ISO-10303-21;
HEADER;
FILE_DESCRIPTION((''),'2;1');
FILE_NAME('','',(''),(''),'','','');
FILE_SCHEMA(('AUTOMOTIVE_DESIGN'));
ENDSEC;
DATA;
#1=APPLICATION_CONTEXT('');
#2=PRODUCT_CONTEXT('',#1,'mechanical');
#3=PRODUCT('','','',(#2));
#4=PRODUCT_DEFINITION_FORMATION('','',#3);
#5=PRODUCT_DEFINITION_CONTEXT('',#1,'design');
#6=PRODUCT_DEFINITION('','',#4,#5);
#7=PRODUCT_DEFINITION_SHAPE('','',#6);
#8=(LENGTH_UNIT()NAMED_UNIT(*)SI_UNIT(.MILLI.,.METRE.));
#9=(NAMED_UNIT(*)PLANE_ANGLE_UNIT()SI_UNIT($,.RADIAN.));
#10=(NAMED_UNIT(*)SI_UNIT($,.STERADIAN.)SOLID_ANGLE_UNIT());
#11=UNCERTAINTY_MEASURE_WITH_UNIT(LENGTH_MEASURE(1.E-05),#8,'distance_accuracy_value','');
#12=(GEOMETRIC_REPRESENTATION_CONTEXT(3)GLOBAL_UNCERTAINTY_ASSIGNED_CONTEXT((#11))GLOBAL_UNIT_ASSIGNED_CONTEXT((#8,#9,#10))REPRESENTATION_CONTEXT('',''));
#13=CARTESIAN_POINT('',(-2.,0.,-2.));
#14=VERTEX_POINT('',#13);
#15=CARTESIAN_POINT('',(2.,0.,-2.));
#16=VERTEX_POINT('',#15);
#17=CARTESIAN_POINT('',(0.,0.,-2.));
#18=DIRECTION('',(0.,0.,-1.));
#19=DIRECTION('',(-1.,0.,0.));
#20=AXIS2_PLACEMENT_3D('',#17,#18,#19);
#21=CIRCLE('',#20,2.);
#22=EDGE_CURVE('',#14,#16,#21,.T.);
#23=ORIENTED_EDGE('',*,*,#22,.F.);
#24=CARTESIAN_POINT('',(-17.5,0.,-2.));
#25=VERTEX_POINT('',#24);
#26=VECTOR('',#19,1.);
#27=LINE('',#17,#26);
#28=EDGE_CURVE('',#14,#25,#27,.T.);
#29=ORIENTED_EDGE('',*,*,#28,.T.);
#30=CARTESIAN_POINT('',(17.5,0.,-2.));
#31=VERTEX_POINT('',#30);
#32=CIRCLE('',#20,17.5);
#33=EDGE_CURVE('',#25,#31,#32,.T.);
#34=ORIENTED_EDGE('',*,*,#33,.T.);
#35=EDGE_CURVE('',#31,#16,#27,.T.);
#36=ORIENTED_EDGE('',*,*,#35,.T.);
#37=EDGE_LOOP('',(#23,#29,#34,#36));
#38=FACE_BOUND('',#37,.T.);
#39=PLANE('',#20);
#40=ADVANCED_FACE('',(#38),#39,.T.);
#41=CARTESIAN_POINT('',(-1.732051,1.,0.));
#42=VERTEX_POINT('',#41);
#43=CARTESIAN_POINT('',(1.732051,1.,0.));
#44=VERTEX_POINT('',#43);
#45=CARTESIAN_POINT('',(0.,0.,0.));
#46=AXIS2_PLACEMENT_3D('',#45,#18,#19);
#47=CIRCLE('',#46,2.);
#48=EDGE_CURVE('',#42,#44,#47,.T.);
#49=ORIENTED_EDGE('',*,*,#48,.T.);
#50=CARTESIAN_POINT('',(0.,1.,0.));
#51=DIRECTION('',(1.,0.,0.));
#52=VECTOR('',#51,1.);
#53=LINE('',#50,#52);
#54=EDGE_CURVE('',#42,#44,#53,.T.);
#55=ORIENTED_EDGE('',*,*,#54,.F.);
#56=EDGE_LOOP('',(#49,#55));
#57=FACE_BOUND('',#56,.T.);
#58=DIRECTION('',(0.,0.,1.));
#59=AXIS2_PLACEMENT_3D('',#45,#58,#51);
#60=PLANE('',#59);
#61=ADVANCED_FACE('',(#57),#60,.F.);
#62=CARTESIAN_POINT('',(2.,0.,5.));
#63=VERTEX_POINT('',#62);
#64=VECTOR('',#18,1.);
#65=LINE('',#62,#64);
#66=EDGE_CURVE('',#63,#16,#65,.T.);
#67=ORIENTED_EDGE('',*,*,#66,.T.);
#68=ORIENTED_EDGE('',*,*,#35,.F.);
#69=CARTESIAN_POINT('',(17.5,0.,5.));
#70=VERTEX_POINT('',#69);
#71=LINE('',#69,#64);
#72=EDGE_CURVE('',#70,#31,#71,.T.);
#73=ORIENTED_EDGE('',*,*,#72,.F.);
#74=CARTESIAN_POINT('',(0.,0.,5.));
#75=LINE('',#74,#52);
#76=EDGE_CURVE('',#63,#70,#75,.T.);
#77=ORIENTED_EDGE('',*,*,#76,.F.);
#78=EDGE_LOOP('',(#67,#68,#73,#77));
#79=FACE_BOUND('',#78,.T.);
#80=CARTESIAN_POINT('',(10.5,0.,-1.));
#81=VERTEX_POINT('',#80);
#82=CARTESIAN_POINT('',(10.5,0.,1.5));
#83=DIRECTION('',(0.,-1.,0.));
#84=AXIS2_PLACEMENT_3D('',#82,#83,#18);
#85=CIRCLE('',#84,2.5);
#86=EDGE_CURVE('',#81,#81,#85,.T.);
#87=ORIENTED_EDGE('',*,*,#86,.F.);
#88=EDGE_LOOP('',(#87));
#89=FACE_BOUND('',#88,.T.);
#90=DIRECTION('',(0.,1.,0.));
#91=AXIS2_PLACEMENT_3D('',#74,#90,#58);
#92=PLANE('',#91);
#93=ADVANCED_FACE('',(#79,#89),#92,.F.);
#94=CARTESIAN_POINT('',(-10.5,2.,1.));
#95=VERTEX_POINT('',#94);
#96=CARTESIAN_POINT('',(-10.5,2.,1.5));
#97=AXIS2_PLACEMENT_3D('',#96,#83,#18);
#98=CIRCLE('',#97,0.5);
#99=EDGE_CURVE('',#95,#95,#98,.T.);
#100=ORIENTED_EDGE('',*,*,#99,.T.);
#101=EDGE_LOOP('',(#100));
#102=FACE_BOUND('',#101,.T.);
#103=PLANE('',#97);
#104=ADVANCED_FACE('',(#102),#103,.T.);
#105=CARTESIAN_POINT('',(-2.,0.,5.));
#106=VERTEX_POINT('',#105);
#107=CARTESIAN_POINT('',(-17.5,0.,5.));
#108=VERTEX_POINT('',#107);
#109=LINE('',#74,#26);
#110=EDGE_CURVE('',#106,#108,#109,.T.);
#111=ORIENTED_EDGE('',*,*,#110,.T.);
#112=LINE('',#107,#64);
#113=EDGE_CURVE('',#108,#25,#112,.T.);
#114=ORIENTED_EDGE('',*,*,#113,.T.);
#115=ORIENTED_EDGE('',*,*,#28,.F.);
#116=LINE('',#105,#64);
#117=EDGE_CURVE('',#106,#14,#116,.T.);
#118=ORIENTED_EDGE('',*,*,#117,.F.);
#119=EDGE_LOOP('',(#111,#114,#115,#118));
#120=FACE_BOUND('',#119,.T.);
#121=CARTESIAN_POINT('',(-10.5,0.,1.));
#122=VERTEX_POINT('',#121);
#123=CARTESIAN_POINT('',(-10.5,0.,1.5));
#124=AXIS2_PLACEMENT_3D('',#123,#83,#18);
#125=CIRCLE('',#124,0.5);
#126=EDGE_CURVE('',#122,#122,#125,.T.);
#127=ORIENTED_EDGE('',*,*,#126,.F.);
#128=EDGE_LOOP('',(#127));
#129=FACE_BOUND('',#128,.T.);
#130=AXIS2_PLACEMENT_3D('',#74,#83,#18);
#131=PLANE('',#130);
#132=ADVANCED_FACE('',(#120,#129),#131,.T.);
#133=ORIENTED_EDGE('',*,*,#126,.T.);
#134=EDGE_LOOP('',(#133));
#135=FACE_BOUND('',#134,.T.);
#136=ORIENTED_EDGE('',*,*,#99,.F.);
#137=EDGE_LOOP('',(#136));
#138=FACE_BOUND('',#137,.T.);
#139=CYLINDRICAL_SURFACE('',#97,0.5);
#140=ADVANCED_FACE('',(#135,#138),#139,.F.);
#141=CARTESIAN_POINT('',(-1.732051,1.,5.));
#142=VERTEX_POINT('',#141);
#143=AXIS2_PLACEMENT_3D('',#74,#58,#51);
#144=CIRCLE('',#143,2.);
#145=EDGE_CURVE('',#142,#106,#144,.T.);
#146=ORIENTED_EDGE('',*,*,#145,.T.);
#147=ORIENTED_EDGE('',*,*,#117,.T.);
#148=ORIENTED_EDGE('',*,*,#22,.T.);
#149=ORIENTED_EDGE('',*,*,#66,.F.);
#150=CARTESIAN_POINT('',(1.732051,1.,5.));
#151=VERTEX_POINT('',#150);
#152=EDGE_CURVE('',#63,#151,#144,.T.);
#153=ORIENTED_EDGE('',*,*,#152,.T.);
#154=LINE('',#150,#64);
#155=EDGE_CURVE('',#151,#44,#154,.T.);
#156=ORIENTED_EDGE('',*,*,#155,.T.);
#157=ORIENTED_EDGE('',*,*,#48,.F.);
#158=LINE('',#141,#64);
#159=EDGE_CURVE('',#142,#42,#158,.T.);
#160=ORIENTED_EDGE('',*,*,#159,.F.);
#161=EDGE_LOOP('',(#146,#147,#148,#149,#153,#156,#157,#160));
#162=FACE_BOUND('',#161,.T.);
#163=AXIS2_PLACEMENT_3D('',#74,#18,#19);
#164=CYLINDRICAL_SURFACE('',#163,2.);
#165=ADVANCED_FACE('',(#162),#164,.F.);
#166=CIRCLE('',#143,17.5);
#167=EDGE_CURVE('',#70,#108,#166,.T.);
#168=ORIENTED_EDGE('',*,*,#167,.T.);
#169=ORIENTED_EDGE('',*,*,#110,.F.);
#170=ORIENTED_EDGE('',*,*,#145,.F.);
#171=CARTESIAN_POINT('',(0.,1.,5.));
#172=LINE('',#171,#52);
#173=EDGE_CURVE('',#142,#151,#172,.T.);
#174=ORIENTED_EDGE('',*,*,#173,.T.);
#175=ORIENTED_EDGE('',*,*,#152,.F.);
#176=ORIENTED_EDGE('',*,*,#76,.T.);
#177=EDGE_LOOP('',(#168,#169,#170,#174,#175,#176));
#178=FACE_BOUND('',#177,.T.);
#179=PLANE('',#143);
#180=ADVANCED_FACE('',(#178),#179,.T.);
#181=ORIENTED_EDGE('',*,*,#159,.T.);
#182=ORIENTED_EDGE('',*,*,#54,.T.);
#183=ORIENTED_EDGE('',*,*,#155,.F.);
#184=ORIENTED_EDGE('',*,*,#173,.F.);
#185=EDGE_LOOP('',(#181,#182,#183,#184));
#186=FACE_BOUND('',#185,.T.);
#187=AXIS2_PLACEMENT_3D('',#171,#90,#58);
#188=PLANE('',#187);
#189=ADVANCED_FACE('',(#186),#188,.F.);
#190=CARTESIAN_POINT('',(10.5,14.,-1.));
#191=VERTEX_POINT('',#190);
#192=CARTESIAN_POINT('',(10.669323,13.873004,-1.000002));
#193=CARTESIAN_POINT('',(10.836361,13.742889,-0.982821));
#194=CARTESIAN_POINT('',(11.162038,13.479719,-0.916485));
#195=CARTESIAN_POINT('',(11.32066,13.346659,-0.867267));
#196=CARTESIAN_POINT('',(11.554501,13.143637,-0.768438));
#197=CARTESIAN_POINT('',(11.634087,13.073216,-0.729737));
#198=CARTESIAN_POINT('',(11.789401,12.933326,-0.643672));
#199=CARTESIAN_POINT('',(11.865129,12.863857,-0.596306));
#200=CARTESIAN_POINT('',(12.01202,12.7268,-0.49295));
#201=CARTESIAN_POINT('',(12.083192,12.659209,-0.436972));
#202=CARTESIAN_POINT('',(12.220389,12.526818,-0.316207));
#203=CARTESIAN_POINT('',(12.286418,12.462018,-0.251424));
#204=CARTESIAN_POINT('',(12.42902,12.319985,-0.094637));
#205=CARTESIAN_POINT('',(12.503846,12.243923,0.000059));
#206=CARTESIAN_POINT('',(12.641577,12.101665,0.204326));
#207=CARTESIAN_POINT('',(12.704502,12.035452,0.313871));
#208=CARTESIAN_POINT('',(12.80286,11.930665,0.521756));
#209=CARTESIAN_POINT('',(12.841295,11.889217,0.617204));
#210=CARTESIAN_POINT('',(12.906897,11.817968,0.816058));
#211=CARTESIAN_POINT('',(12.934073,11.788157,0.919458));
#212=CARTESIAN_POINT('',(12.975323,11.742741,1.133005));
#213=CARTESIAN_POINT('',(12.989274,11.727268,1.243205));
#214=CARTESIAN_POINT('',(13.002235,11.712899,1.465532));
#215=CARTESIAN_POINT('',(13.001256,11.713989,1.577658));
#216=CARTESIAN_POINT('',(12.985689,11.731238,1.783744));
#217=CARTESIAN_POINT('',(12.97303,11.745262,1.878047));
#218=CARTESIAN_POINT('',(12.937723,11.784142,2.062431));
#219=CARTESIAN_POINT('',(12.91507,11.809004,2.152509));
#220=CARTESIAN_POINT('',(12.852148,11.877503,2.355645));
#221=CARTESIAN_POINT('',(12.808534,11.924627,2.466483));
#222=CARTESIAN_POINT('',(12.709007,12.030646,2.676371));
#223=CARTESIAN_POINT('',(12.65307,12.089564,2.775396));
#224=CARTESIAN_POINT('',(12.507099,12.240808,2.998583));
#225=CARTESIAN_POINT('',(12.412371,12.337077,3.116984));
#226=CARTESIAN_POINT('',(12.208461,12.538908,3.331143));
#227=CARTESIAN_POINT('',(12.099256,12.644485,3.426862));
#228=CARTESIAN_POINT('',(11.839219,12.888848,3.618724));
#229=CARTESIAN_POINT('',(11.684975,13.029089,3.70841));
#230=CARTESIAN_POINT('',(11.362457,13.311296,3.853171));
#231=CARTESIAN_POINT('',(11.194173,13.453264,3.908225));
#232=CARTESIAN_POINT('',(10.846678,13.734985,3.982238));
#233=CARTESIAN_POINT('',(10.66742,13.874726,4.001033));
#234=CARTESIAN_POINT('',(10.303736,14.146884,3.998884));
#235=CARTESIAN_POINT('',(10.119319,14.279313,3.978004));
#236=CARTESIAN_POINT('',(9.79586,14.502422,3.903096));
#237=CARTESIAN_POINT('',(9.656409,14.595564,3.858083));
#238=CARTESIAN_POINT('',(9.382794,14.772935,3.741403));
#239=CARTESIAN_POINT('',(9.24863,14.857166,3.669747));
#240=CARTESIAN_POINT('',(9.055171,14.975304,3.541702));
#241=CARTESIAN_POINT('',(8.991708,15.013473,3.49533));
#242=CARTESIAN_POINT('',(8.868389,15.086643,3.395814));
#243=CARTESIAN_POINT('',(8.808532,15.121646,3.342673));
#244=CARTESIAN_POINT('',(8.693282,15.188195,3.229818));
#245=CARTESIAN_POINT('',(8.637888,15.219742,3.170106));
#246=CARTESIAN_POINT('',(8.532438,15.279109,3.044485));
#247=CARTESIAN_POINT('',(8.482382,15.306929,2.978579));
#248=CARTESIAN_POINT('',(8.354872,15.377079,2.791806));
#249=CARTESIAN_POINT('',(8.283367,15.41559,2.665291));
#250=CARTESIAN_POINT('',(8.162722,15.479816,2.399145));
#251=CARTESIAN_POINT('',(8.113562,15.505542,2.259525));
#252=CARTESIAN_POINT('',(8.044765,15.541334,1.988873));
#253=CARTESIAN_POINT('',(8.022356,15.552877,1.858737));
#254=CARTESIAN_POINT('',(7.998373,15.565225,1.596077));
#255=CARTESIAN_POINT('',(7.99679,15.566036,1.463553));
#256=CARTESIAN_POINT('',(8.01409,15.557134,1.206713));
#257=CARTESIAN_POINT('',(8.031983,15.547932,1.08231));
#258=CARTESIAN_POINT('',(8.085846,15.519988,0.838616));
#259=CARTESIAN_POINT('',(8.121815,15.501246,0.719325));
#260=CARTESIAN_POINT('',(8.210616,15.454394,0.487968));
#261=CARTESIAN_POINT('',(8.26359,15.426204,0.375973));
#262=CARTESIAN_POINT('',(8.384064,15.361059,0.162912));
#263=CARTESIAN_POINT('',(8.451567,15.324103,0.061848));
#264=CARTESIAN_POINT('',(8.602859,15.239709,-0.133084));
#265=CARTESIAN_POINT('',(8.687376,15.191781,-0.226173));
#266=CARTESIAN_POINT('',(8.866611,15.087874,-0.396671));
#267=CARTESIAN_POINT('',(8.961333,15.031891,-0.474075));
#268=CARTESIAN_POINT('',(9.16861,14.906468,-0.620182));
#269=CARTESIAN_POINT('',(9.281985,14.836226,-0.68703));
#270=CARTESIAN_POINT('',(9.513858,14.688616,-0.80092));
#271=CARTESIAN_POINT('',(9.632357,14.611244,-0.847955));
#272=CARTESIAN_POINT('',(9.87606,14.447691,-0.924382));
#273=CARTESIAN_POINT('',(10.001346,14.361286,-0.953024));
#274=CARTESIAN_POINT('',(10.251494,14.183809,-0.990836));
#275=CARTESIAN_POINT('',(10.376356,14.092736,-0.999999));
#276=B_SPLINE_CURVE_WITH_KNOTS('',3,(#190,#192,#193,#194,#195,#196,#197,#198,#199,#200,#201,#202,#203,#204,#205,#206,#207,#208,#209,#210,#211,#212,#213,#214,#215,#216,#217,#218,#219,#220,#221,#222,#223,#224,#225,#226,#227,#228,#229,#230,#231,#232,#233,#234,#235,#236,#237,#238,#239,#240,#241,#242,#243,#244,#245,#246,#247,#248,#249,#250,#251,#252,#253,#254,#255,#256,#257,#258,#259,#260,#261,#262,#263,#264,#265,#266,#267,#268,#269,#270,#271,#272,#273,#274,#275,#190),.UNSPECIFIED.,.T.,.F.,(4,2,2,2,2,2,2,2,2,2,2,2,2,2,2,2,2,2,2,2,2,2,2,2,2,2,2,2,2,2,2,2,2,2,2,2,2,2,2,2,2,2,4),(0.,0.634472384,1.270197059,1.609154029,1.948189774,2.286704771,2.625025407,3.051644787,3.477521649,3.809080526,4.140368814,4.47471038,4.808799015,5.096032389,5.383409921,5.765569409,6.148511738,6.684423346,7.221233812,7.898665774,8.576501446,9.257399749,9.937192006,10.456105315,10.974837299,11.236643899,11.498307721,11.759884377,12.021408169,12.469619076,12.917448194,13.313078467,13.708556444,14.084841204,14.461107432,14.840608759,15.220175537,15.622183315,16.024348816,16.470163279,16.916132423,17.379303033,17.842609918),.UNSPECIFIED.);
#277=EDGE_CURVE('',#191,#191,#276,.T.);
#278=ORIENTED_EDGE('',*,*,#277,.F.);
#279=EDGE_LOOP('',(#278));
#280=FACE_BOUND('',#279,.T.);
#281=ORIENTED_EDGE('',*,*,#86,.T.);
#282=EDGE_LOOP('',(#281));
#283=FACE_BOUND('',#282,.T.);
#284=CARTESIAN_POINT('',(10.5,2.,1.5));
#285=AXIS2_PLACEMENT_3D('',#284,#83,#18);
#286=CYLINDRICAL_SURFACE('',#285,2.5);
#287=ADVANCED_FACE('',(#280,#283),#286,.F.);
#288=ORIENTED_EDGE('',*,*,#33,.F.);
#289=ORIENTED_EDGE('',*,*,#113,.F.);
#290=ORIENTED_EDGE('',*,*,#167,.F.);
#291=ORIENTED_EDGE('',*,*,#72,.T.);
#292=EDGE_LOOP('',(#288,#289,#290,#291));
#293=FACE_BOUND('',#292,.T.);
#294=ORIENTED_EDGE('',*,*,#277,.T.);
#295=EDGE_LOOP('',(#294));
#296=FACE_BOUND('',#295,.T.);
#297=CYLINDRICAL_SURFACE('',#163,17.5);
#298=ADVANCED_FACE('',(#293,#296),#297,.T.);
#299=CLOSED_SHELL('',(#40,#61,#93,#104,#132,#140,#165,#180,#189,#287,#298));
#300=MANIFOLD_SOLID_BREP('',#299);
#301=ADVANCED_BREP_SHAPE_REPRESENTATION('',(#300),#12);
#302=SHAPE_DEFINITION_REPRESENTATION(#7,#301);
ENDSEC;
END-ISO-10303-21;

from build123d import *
from build123d.topology import SkipClean

# Parameters (mm, degrees)
BOSS_EXTRU_1_DEPTH      = 5
BOSS_EXTRU_3_START      = 2
BOSS_EXTRU_3_DEPTH      = 2
ESQUISSE5_R             = 0.5
ESQUISSE5_R_2           = 2.5
ENL_V_MAT_EXTRU_1_DEPTH = 2
ESQUISSE7_R             = 2.5
ENL_V_MAT_EXTRU_2_DEPTH = 24.906066176


with BuildPart() as part:
    # Esquisse1 → Boss.-Extru.1 (new body)
    with BuildSketch(Plane.XY):
        with BuildLine():
            Line((-1.732050808, 1), (1.732050808, 1))
            ThreePointArc((1.732050808, 1), (1.931851653, 0.51763809), (2, 0))
            Line((2, 0), (17.5, 0))
            ThreePointArc((17.5, 0), (0, 17.5), (-17.5, 0))
            Line((-17.5, 0), (-2, 0))
            ThreePointArc((-2, 0), (-1.931851653, 0.51763809), (-1.732050808, 1))
        make_face()
    extrude(amount=BOSS_EXTRU_1_DEPTH)

    # Esquisse3 → Boss.-Extru.3 (add)
    with SkipClean():  # the faces are left unmerged after this step: merging them gives an invalid solid
        with BuildSketch(Plane(origin=(0, 0, 0), x_dir=(-1, 0, 0), z_dir=(0, 0, -1)).offset(BOSS_EXTRU_3_START)):
            with BuildLine():
                Line((0, 2), (0, 17.5))
                ThreePointArc((0, 17.5), (-12.374368671, 12.374368671), (-17.5, 0))
                Line((-17.5, 0), (-2, 0))
                ThreePointArc((-2, 0), (-1.931851653, 0.51763809), (-1.732050808, 1))
                ThreePointArc((-1.732050808, 1), (-1, 1.732050808), (0, 2))
            make_face()
            with BuildLine():
                ThreePointArc((17.5, 0), (12.374368671, 12.374368671), (0, 17.5))
                Line((0, 17.5), (0, 2))
                ThreePointArc((0, 2), (1, 1.732050808), (1.732050808, 1))
                ThreePointArc((1.732050808, 1), (1.931851653, 0.51763809), (2, 0))
                Line((2, 0), (17.5, 0))
            make_face()
        extrude(amount=-BOSS_EXTRU_3_DEPTH)

    # Esquisse5 → Enlèv. mat.-Extru.1 (cut)
    with SkipClean():  # the faces are left unmerged after this step: merging them gives an invalid solid
        with BuildSketch(Plane.XZ):
            with Locations(Location((-10.5, 1.5, 0), (0, 0, 270))):
                Circle(ESQUISSE5_R)
            with Locations(Location((10.5, 1.5, 0), (0, 0, 270))):
                Circle(ESQUISSE5_R_2)
        extrude(amount=-ENL_V_MAT_EXTRU_1_DEPTH, mode=Mode.SUBTRACT)

    # Esquisse7 → Enlèv. mat.-Extru.2 (cut, through all)
    with SkipClean():  # the faces are left unmerged after this step: merging them gives an invalid solid
        with BuildSketch(Plane.XZ.offset(-2)):
            with Locations(Location((10.5, 1.5, 0), (0, 0, 270))):
                Circle(ESQUISSE7_R)
        extrude(amount=-ENL_V_MAT_EXTRU_2_DEPTH, mode=Mode.SUBTRACT)


solid = part.part
